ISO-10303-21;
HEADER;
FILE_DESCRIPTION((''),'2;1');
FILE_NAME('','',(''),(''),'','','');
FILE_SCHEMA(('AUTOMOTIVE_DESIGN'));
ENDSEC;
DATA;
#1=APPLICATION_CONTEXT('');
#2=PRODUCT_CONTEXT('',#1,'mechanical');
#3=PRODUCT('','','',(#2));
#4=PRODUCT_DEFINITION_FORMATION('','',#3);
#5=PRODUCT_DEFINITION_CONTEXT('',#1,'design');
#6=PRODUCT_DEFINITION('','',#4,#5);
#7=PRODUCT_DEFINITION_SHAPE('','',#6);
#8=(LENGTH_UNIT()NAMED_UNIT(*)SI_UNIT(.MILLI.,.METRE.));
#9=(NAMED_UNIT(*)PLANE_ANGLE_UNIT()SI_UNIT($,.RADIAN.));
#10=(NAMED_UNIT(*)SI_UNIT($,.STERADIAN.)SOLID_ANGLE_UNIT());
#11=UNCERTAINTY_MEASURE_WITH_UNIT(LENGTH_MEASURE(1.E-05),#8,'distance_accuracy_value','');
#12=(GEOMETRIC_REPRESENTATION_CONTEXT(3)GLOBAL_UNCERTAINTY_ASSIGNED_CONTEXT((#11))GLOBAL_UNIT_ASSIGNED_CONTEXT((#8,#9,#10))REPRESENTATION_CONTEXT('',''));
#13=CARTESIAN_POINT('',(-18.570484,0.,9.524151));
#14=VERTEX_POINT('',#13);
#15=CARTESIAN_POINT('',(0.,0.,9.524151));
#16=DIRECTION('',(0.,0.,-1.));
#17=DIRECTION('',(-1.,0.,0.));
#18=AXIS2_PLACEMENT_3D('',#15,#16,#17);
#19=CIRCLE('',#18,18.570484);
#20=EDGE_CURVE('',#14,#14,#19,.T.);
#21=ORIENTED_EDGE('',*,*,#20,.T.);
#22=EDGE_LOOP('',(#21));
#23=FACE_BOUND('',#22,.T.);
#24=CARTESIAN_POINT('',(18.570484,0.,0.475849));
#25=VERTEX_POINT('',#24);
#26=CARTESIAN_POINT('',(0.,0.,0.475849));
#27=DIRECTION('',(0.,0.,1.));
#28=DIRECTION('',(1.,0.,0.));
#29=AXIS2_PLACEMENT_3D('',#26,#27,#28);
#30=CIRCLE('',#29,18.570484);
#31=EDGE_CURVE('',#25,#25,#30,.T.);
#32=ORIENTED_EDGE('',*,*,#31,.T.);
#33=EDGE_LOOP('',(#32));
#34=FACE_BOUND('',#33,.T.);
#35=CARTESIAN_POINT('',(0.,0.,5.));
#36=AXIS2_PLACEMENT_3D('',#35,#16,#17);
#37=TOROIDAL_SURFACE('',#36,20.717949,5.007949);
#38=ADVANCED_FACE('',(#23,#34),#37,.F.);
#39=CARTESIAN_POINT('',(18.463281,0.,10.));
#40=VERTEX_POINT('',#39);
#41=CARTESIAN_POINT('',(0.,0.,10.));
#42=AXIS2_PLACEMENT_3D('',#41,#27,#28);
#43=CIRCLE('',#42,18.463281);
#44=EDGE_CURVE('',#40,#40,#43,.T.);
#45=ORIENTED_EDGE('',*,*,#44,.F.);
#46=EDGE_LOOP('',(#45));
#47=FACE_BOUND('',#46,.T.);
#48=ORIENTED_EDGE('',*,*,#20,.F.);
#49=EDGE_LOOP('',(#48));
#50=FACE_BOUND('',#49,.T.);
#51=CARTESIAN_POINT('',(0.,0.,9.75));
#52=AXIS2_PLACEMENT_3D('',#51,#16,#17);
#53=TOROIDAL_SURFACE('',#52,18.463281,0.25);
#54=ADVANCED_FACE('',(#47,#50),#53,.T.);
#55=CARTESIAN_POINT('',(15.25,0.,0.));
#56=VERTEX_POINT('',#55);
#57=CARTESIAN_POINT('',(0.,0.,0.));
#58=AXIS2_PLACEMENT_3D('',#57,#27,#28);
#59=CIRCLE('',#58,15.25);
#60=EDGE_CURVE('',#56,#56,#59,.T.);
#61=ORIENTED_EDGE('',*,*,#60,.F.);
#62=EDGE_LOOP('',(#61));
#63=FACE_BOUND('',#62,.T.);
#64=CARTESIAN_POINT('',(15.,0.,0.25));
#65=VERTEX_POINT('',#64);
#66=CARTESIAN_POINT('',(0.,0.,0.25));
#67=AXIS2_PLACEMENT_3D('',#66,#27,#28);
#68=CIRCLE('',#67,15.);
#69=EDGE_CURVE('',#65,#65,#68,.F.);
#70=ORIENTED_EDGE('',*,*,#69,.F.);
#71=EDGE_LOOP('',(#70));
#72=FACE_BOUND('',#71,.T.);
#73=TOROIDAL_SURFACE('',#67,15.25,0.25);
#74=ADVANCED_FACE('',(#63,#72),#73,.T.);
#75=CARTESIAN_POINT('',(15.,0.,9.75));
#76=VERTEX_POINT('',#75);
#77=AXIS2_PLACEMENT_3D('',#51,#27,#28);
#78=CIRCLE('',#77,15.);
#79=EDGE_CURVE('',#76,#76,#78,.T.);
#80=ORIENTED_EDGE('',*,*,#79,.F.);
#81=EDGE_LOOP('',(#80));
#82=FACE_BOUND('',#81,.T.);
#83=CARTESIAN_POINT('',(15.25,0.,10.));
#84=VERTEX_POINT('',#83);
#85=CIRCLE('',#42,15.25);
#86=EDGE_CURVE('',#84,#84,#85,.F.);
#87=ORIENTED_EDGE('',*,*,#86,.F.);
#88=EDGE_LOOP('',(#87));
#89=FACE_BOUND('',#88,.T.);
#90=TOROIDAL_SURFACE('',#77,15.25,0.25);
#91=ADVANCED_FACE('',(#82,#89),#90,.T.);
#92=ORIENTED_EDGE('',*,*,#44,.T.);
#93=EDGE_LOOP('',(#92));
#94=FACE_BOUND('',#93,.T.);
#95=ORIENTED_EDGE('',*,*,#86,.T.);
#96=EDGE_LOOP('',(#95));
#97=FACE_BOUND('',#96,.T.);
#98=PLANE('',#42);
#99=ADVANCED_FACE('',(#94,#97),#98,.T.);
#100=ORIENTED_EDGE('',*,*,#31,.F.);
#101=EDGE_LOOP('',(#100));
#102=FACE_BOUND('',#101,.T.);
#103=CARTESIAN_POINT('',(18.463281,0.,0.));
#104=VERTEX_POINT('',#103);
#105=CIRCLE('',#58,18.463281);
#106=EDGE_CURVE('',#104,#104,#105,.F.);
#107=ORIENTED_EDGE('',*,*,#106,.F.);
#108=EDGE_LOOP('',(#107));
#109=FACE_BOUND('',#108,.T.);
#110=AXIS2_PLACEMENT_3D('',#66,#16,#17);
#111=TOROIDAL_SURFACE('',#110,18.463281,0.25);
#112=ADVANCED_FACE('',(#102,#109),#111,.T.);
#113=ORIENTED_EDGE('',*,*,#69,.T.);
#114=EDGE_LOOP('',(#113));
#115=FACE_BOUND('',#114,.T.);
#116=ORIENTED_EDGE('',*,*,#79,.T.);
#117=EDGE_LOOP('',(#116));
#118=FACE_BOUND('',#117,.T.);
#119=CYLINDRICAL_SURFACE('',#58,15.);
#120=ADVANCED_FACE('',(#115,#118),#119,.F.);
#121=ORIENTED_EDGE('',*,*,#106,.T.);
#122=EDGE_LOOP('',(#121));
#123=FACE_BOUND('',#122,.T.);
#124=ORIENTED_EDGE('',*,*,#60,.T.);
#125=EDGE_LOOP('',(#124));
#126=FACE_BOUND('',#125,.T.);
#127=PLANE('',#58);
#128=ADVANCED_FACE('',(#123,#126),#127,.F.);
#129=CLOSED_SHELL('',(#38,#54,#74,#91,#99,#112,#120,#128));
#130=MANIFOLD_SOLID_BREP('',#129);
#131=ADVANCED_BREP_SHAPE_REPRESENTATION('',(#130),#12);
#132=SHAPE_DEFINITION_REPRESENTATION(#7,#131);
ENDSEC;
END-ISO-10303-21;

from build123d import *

# Parameters (mm, degrees)
SKETCH1_R               = 21
BOSS_EXTRUDE1_DEPTH     = 10
CUT_EXTRUDE1_DEPTH      = 32.336879232
CUT_EXTRUDE1_DEPTH_BACK = 32.336879232
SKETCH2_R               = 15
FILLET1_R               = 0.25


with BuildPart() as part:
    # Sketch1 → Boss-Extrude1 (new body)
    with BuildSketch(Plane.XY):
        Circle(SKETCH1_R)
    extrude(amount=BOSS_EXTRUDE1_DEPTH)

    # Sketch2 → Cut-Extrude1 (cut, two sides: drawn at the far end of the back side and taken through both)
    with BuildSketch(Plane.XY.offset(10).offset(-CUT_EXTRUDE1_DEPTH_BACK)):
        Circle(SKETCH2_R)
    extrude(amount=CUT_EXTRUDE1_DEPTH + CUT_EXTRUDE1_DEPTH_BACK, mode=Mode.SUBTRACT)

    # Sketch3 → Cut-Revolve1 (revolve, cut)
    with BuildSketch(Plane(origin=(0, 0, 0), x_dir=(1, 0, 0), z_dir=(0, 1, 0))):
        with BuildLine():
            Line((-21, 0), (-21, -10))
            ThreePointArc((-21, -10), (-15.71, -5), (-21, 0))
        make_face()
    revolve(axis=Axis((0, 0, 0), (0, 0, 1)), mode=Mode.SUBTRACT)

    # Fillet1
    fillet1_edges = [part.edges().sort_by_distance(p)[0] for p in [
        (20.435897921, 0, 10),
        (20.435897921, 0, 0),
        (-15, 0, 10),
        (-15, 0, 0),
    ]]
    fillet(fillet1_edges, radius=FILLET1_R)


solid = part.part
